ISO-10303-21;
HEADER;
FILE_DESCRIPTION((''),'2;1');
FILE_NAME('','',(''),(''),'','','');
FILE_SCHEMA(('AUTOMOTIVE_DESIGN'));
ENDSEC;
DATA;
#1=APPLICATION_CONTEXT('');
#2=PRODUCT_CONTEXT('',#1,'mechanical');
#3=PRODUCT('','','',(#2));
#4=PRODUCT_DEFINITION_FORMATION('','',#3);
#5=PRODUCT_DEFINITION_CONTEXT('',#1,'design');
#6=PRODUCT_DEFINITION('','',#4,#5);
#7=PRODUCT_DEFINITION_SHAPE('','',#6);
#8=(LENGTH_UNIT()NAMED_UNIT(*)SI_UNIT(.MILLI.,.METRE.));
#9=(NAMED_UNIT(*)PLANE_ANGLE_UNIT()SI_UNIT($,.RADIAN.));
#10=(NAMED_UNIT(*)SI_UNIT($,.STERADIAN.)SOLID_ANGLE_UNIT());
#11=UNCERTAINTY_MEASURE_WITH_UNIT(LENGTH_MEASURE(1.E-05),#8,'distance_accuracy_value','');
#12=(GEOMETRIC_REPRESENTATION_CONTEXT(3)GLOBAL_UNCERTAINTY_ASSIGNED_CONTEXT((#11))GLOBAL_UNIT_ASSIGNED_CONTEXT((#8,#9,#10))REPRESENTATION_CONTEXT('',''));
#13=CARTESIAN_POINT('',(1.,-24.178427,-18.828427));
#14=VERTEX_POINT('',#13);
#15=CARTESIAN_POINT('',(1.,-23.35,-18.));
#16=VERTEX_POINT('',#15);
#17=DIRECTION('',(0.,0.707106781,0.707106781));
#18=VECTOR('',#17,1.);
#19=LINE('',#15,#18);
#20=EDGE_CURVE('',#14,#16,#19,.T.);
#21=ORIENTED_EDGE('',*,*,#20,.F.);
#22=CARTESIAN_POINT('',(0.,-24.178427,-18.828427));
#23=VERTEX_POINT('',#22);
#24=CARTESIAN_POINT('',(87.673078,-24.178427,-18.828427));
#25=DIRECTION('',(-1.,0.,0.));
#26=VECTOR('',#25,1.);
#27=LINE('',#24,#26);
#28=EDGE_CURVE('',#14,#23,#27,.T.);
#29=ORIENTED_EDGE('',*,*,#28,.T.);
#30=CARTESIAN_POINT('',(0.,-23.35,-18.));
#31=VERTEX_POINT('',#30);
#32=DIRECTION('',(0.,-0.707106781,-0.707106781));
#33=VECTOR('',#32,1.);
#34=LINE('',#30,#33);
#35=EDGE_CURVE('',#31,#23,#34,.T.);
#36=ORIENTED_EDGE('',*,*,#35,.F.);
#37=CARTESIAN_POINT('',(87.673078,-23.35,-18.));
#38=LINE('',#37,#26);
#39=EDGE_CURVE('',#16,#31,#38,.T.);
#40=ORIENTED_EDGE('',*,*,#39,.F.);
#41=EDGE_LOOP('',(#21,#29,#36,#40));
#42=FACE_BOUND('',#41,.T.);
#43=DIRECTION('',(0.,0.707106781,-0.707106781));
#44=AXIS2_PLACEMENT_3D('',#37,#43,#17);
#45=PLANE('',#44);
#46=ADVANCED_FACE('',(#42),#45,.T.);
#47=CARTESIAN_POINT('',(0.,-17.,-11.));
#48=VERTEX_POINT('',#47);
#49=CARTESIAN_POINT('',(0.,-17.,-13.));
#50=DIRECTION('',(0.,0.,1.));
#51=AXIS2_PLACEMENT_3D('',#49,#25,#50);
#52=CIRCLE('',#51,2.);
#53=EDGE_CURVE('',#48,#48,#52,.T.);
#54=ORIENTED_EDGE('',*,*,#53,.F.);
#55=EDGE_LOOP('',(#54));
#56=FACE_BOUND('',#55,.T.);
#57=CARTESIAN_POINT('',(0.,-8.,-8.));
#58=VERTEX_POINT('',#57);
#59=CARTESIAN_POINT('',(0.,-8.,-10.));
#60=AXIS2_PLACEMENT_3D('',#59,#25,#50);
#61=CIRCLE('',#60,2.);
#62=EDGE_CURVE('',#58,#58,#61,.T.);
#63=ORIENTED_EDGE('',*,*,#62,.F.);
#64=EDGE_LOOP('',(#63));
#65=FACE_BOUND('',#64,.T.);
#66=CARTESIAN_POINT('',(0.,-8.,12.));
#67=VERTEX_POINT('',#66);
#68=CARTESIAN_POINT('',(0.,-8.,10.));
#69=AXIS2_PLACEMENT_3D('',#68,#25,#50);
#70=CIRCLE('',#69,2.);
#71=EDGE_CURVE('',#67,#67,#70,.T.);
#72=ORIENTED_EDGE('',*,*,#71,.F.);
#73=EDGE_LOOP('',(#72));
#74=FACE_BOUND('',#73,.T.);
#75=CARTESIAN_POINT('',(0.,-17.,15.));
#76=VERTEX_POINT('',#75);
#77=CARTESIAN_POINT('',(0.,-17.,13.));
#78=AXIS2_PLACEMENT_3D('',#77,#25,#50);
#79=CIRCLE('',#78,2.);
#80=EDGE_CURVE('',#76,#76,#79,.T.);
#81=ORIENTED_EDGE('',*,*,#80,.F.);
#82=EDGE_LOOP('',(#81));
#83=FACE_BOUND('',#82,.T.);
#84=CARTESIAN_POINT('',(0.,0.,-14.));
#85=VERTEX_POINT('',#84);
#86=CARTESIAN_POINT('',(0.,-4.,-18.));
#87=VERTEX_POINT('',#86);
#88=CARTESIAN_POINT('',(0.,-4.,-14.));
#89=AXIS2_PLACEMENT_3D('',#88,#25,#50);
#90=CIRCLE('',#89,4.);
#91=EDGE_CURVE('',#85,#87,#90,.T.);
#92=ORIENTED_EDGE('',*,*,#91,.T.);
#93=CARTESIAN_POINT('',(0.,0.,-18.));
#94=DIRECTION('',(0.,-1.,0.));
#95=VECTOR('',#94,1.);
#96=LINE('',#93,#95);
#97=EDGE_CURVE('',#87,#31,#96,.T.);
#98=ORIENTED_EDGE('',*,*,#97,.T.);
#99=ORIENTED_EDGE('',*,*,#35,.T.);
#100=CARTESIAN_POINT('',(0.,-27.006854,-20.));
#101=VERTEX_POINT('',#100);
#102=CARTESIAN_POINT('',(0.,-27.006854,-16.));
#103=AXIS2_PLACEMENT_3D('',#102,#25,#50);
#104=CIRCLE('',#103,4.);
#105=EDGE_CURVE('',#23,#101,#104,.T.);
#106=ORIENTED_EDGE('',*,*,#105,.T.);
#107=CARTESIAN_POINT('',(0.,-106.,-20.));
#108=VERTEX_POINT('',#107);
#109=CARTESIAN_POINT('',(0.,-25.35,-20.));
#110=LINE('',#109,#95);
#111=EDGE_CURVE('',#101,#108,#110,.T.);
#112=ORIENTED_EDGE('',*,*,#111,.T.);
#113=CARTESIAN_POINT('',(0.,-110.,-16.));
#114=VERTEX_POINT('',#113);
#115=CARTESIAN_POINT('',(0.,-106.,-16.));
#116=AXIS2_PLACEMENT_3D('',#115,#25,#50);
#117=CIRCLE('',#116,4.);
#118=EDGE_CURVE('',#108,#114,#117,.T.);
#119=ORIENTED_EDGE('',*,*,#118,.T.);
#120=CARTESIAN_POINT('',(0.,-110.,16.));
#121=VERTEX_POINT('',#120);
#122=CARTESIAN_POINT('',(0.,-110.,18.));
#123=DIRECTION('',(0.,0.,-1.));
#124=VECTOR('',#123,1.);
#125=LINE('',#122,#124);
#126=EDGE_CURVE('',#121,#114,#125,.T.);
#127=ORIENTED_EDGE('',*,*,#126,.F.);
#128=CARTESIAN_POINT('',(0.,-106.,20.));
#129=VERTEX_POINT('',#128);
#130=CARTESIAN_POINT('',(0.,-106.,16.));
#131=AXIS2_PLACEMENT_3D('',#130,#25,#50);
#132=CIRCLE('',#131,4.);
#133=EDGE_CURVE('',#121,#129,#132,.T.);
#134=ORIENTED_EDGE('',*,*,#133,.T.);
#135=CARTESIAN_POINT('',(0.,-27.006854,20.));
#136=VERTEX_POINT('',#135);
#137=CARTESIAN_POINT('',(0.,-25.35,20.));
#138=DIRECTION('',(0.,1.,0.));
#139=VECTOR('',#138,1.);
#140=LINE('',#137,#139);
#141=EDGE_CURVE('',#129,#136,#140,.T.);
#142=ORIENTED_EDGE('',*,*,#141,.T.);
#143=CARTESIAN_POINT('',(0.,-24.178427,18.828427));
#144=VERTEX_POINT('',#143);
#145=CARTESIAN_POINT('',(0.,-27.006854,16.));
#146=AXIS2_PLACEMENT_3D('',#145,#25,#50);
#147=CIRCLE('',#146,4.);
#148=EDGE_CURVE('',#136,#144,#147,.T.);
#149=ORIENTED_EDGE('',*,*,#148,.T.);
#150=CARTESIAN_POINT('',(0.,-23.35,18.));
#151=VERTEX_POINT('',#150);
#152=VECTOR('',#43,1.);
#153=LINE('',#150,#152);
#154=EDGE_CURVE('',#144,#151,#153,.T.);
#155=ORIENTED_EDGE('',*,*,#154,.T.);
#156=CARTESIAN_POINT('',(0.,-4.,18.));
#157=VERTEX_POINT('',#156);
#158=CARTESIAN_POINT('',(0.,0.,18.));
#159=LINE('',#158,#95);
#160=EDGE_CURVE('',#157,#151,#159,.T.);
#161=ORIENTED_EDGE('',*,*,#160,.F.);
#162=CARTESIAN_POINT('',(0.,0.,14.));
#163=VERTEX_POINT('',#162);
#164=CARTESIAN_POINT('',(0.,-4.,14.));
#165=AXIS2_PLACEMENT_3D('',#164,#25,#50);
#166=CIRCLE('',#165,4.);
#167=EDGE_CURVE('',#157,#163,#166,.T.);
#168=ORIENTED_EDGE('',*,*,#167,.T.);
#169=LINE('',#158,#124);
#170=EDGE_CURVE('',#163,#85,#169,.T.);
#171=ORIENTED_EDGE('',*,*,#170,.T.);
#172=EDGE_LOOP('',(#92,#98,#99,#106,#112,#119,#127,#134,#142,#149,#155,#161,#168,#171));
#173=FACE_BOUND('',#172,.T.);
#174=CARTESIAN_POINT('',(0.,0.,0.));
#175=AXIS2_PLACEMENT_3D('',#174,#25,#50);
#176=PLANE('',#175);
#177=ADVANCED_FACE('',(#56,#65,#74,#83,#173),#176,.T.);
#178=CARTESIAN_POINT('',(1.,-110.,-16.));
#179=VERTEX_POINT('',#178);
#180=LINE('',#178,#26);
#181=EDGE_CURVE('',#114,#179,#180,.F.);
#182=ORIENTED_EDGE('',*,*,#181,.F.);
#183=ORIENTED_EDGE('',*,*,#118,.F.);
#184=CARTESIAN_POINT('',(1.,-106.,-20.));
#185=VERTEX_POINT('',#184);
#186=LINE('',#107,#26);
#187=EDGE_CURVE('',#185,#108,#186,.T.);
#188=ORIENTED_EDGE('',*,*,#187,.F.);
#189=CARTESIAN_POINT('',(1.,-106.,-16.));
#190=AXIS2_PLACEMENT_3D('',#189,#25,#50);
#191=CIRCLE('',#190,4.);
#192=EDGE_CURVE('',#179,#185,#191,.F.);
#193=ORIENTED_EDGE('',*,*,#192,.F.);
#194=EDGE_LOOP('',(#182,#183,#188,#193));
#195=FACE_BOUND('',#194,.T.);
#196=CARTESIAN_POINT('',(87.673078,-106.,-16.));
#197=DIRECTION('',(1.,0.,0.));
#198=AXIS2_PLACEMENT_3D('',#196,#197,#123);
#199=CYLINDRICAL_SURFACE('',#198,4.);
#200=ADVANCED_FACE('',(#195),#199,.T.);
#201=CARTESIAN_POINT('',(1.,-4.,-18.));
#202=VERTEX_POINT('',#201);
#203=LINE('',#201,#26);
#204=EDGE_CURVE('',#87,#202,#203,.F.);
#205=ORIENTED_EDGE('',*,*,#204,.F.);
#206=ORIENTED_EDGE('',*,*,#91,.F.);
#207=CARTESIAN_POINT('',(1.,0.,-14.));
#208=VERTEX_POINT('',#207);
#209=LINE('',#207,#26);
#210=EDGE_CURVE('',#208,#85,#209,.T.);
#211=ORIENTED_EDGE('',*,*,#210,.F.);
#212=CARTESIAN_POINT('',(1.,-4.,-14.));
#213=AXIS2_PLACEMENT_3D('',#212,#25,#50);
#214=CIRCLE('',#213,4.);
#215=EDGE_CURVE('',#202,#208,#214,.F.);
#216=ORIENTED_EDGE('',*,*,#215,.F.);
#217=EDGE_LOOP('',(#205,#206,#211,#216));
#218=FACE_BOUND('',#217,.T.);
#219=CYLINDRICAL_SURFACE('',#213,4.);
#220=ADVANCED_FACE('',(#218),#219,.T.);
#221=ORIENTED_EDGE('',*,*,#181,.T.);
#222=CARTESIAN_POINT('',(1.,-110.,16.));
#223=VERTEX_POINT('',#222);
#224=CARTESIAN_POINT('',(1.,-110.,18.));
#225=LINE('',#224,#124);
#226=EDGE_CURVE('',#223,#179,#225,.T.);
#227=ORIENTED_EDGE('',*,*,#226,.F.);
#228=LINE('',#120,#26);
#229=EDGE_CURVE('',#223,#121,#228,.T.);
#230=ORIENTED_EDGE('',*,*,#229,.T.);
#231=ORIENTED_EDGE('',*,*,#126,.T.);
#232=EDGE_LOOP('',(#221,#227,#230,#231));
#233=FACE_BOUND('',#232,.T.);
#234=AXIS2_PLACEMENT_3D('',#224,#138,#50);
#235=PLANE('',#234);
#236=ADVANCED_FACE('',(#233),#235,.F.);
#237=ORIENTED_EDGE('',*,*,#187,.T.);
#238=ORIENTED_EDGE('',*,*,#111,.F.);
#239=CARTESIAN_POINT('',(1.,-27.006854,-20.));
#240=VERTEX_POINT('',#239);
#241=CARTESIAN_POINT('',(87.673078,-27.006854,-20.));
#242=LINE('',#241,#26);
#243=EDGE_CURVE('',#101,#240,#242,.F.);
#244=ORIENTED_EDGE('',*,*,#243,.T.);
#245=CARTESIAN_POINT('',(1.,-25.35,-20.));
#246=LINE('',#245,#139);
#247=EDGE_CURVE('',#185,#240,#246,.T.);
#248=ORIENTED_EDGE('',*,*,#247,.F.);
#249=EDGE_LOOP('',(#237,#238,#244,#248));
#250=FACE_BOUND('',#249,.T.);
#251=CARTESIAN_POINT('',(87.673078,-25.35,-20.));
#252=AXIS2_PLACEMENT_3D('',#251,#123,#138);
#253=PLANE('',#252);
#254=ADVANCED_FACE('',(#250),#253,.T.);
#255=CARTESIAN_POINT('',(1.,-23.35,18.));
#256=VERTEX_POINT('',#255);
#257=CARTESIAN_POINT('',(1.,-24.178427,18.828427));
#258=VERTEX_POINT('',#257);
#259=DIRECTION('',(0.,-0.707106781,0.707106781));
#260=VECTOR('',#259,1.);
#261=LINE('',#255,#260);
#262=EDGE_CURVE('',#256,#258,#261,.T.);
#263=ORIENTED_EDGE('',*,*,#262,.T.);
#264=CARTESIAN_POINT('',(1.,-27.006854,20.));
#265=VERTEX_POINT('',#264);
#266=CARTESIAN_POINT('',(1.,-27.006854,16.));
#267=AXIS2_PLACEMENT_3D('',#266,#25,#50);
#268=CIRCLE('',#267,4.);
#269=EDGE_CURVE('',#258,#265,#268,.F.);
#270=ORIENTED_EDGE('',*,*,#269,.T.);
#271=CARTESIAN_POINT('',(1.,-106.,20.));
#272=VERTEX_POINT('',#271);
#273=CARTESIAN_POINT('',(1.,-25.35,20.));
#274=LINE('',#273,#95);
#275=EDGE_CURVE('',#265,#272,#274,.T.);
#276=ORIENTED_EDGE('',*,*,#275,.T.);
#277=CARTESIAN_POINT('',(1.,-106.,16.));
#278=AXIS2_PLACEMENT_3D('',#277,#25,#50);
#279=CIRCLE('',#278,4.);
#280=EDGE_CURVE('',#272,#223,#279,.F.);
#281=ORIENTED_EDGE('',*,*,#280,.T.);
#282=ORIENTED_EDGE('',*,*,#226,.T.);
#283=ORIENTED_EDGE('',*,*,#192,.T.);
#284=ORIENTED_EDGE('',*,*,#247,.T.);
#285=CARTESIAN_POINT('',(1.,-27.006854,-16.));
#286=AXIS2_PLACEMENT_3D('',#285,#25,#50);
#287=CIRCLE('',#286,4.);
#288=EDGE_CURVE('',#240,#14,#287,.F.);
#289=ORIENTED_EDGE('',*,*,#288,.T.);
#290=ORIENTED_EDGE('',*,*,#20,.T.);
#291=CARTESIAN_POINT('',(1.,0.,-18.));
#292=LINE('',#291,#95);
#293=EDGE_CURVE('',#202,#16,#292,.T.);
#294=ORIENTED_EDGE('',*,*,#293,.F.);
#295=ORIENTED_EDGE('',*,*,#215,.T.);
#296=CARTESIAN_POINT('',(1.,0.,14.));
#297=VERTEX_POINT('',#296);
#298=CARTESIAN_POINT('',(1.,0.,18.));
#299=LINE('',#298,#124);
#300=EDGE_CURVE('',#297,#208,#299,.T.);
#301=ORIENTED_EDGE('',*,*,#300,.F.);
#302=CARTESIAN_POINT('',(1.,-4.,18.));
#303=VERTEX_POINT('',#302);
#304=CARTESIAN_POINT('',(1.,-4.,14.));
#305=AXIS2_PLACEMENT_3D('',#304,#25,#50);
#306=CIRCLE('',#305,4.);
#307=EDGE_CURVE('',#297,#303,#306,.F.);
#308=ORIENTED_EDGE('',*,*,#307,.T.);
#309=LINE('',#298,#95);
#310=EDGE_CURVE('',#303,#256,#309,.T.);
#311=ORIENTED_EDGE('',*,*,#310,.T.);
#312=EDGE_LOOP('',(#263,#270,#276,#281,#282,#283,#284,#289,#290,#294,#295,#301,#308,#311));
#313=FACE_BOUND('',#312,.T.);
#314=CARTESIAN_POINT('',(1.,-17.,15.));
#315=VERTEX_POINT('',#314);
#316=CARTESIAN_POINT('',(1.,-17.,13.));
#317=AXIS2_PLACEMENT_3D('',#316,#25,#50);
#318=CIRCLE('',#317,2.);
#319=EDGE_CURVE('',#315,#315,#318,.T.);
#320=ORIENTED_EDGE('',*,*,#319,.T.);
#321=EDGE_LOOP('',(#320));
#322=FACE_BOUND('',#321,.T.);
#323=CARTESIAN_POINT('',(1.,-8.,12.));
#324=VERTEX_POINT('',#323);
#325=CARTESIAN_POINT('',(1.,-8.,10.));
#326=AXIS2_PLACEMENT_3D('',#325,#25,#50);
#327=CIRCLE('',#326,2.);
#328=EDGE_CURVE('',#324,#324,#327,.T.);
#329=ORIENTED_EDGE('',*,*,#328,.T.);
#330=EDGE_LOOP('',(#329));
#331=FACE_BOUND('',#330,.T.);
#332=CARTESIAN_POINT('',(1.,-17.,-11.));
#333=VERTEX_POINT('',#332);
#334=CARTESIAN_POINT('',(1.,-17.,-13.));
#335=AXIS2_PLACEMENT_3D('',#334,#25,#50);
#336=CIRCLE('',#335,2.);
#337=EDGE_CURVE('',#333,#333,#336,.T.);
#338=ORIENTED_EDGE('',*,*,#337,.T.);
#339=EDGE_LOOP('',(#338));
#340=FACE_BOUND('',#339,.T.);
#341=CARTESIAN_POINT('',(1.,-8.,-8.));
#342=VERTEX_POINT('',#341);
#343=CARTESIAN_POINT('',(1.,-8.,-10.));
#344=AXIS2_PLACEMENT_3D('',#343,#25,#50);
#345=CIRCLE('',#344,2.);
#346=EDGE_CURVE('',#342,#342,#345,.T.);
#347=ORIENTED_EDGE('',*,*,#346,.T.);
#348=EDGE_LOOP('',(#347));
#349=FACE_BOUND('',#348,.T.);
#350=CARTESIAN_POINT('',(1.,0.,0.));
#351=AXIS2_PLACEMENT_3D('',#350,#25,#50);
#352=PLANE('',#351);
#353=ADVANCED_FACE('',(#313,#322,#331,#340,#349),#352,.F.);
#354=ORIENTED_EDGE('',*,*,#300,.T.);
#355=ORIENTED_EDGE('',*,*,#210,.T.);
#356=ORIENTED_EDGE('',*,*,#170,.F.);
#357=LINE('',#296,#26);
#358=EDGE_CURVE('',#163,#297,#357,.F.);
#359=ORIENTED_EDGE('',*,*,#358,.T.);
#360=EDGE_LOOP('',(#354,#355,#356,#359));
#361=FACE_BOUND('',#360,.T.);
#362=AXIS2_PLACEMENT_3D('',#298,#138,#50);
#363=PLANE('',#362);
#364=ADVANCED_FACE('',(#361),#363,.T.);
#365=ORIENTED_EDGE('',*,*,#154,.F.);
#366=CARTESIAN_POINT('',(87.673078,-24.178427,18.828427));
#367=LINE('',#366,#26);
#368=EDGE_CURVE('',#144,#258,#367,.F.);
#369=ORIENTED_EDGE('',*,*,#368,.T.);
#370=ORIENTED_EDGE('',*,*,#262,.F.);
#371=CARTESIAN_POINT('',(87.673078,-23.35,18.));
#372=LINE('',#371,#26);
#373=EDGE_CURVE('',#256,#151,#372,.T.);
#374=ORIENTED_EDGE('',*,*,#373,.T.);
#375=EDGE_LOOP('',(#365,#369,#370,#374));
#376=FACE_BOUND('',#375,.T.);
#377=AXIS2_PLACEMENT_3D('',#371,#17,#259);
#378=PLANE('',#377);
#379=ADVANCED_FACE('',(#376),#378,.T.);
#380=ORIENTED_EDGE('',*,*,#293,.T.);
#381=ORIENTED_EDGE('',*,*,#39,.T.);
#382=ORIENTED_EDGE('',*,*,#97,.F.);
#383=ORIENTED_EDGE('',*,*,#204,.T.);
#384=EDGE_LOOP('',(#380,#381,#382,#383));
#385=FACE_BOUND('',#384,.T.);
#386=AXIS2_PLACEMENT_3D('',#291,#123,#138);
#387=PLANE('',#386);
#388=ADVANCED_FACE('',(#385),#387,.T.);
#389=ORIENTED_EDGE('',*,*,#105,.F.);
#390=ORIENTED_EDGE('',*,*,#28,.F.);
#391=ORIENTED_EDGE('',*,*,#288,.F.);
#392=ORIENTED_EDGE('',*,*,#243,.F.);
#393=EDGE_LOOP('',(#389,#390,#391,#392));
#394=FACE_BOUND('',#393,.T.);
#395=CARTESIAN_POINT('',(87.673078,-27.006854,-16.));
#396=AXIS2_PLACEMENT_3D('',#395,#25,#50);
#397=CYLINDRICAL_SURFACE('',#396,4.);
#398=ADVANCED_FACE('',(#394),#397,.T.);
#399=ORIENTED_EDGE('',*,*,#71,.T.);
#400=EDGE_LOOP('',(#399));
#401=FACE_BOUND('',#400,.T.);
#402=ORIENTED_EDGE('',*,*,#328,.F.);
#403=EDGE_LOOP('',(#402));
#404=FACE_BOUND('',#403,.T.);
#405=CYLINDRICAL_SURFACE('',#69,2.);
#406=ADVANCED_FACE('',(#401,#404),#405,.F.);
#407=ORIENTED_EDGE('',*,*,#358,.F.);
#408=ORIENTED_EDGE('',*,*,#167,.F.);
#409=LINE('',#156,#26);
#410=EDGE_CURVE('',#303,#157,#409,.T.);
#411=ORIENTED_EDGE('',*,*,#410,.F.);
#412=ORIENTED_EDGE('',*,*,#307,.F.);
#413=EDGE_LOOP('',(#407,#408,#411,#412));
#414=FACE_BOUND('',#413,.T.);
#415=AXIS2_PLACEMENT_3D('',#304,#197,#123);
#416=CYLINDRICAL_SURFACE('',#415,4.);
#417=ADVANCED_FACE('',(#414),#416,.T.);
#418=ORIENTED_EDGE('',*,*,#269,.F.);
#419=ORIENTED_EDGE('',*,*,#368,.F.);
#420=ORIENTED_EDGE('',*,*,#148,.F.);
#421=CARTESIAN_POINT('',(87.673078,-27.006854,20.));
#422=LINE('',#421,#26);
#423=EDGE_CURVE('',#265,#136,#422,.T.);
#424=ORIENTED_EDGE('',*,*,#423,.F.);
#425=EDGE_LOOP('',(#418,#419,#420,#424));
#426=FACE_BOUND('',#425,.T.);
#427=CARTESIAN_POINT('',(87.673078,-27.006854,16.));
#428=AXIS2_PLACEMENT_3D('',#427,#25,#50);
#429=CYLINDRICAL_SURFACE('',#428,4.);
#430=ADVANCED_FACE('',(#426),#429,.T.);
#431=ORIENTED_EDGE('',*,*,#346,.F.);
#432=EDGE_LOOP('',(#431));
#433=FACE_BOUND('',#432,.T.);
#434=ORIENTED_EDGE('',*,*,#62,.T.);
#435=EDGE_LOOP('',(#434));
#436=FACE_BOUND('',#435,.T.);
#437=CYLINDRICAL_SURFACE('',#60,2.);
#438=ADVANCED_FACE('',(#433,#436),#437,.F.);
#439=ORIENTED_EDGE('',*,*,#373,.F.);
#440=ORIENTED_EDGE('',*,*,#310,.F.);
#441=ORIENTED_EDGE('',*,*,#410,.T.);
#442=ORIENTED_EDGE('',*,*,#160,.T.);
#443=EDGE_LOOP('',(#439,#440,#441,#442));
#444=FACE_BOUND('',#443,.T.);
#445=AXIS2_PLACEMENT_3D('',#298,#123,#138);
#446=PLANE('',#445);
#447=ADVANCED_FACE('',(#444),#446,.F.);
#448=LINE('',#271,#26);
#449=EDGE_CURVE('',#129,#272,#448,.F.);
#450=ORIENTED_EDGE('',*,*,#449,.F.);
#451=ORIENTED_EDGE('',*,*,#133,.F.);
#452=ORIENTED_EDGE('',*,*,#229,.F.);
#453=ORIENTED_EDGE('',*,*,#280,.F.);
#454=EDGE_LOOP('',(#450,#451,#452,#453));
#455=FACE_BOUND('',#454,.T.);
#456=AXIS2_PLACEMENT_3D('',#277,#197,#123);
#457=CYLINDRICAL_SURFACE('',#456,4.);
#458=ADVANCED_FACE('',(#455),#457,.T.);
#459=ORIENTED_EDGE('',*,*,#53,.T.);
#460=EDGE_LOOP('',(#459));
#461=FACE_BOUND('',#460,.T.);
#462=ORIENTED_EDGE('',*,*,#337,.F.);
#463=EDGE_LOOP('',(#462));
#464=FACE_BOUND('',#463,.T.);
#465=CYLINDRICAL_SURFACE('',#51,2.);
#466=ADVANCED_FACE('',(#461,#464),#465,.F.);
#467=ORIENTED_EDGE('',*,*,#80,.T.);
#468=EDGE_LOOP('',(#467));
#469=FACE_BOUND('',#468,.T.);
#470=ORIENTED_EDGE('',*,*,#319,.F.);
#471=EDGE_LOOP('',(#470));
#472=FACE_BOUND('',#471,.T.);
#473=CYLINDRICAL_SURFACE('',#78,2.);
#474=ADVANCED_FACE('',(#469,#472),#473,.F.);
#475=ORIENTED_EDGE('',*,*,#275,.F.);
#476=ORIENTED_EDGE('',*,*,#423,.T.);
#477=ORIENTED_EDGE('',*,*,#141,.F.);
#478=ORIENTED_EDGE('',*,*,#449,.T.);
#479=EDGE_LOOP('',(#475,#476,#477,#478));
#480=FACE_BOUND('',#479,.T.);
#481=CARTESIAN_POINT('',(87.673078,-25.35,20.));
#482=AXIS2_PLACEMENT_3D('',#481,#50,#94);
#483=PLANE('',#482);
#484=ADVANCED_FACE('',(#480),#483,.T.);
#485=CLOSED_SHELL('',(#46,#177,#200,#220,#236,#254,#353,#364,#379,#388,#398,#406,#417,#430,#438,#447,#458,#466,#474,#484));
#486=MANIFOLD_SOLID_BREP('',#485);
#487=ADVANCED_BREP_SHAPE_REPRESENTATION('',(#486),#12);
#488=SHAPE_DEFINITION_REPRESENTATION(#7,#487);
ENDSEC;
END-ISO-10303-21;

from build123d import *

# Parameters (mm, degrees)
SKETCH1_W                = 36
SKETCH1_H                = 110
BOSS_EXTRUDE1_DEPTH      = 1
F_4_0_4_DIAMETER_HOLE2_D = 4
F_4_0_4_DIAMETER_HOLE3_D = 4
BOSS_EXTRUDE2_DEPTH      = 1
FILLET1_R                = 4
FILLET2_R                = 4


with BuildPart() as part:
    # Sketch1 → Boss-Extrude1 (new body)
    with BuildSketch(Plane(origin=(0, 0, 0), x_dir=(0, 0, -1), z_dir=(1, 0, 0))):
        with Locations((0, -55)):
            Rectangle(SKETCH1_W, SKETCH1_H)
    extrude(amount=BOSS_EXTRUDE1_DEPTH)

    # Ø4.0 (4) Diameter Hole2 (through all)
    with Locations(Plane.ZY):
        with Locations((-10, -8), (10, -8)):
            Hole(F_4_0_4_DIAMETER_HOLE2_D / 2)

    # Ø4.0 (4) Diameter Hole3 (through all)
    with Locations(Plane.ZY):
        with Locations((-13, -17), (13, -17)):
            Hole(F_4_0_4_DIAMETER_HOLE3_D / 2)

    # Sketch9 → Boss-Extrude2 (add)
    with BuildSketch(Plane.ZY):
        Polygon((18, -23.35), (20, -25.35), (20, -110), (18, -110), align=None)
        Polygon((-18, -23.35), (-20, -25.35), (-20, -110), (-18, -110), align=None)
    extrude(amount=-BOSS_EXTRUDE2_DEPTH)

    # Fillet1
    fillet1_edges = [part.edges().sort_by_distance(p)[0] for p in [
        (0.5, 0, 18),
        (0.5, 0, -18),
    ]]
    fillet(fillet1_edges, radius=FILLET1_R)

    # Fillet2
    fillet2_edges = [part.edges().sort_by_distance(p)[0] for p in [
        (0.5, -25.35, 20),
        (0.5, -110, 20),
        (0.5, -110, -20),
        (0.5, -25.35, -20),
    ]]
    fillet(fillet2_edges, radius=FILLET2_R)


solid = part.part
